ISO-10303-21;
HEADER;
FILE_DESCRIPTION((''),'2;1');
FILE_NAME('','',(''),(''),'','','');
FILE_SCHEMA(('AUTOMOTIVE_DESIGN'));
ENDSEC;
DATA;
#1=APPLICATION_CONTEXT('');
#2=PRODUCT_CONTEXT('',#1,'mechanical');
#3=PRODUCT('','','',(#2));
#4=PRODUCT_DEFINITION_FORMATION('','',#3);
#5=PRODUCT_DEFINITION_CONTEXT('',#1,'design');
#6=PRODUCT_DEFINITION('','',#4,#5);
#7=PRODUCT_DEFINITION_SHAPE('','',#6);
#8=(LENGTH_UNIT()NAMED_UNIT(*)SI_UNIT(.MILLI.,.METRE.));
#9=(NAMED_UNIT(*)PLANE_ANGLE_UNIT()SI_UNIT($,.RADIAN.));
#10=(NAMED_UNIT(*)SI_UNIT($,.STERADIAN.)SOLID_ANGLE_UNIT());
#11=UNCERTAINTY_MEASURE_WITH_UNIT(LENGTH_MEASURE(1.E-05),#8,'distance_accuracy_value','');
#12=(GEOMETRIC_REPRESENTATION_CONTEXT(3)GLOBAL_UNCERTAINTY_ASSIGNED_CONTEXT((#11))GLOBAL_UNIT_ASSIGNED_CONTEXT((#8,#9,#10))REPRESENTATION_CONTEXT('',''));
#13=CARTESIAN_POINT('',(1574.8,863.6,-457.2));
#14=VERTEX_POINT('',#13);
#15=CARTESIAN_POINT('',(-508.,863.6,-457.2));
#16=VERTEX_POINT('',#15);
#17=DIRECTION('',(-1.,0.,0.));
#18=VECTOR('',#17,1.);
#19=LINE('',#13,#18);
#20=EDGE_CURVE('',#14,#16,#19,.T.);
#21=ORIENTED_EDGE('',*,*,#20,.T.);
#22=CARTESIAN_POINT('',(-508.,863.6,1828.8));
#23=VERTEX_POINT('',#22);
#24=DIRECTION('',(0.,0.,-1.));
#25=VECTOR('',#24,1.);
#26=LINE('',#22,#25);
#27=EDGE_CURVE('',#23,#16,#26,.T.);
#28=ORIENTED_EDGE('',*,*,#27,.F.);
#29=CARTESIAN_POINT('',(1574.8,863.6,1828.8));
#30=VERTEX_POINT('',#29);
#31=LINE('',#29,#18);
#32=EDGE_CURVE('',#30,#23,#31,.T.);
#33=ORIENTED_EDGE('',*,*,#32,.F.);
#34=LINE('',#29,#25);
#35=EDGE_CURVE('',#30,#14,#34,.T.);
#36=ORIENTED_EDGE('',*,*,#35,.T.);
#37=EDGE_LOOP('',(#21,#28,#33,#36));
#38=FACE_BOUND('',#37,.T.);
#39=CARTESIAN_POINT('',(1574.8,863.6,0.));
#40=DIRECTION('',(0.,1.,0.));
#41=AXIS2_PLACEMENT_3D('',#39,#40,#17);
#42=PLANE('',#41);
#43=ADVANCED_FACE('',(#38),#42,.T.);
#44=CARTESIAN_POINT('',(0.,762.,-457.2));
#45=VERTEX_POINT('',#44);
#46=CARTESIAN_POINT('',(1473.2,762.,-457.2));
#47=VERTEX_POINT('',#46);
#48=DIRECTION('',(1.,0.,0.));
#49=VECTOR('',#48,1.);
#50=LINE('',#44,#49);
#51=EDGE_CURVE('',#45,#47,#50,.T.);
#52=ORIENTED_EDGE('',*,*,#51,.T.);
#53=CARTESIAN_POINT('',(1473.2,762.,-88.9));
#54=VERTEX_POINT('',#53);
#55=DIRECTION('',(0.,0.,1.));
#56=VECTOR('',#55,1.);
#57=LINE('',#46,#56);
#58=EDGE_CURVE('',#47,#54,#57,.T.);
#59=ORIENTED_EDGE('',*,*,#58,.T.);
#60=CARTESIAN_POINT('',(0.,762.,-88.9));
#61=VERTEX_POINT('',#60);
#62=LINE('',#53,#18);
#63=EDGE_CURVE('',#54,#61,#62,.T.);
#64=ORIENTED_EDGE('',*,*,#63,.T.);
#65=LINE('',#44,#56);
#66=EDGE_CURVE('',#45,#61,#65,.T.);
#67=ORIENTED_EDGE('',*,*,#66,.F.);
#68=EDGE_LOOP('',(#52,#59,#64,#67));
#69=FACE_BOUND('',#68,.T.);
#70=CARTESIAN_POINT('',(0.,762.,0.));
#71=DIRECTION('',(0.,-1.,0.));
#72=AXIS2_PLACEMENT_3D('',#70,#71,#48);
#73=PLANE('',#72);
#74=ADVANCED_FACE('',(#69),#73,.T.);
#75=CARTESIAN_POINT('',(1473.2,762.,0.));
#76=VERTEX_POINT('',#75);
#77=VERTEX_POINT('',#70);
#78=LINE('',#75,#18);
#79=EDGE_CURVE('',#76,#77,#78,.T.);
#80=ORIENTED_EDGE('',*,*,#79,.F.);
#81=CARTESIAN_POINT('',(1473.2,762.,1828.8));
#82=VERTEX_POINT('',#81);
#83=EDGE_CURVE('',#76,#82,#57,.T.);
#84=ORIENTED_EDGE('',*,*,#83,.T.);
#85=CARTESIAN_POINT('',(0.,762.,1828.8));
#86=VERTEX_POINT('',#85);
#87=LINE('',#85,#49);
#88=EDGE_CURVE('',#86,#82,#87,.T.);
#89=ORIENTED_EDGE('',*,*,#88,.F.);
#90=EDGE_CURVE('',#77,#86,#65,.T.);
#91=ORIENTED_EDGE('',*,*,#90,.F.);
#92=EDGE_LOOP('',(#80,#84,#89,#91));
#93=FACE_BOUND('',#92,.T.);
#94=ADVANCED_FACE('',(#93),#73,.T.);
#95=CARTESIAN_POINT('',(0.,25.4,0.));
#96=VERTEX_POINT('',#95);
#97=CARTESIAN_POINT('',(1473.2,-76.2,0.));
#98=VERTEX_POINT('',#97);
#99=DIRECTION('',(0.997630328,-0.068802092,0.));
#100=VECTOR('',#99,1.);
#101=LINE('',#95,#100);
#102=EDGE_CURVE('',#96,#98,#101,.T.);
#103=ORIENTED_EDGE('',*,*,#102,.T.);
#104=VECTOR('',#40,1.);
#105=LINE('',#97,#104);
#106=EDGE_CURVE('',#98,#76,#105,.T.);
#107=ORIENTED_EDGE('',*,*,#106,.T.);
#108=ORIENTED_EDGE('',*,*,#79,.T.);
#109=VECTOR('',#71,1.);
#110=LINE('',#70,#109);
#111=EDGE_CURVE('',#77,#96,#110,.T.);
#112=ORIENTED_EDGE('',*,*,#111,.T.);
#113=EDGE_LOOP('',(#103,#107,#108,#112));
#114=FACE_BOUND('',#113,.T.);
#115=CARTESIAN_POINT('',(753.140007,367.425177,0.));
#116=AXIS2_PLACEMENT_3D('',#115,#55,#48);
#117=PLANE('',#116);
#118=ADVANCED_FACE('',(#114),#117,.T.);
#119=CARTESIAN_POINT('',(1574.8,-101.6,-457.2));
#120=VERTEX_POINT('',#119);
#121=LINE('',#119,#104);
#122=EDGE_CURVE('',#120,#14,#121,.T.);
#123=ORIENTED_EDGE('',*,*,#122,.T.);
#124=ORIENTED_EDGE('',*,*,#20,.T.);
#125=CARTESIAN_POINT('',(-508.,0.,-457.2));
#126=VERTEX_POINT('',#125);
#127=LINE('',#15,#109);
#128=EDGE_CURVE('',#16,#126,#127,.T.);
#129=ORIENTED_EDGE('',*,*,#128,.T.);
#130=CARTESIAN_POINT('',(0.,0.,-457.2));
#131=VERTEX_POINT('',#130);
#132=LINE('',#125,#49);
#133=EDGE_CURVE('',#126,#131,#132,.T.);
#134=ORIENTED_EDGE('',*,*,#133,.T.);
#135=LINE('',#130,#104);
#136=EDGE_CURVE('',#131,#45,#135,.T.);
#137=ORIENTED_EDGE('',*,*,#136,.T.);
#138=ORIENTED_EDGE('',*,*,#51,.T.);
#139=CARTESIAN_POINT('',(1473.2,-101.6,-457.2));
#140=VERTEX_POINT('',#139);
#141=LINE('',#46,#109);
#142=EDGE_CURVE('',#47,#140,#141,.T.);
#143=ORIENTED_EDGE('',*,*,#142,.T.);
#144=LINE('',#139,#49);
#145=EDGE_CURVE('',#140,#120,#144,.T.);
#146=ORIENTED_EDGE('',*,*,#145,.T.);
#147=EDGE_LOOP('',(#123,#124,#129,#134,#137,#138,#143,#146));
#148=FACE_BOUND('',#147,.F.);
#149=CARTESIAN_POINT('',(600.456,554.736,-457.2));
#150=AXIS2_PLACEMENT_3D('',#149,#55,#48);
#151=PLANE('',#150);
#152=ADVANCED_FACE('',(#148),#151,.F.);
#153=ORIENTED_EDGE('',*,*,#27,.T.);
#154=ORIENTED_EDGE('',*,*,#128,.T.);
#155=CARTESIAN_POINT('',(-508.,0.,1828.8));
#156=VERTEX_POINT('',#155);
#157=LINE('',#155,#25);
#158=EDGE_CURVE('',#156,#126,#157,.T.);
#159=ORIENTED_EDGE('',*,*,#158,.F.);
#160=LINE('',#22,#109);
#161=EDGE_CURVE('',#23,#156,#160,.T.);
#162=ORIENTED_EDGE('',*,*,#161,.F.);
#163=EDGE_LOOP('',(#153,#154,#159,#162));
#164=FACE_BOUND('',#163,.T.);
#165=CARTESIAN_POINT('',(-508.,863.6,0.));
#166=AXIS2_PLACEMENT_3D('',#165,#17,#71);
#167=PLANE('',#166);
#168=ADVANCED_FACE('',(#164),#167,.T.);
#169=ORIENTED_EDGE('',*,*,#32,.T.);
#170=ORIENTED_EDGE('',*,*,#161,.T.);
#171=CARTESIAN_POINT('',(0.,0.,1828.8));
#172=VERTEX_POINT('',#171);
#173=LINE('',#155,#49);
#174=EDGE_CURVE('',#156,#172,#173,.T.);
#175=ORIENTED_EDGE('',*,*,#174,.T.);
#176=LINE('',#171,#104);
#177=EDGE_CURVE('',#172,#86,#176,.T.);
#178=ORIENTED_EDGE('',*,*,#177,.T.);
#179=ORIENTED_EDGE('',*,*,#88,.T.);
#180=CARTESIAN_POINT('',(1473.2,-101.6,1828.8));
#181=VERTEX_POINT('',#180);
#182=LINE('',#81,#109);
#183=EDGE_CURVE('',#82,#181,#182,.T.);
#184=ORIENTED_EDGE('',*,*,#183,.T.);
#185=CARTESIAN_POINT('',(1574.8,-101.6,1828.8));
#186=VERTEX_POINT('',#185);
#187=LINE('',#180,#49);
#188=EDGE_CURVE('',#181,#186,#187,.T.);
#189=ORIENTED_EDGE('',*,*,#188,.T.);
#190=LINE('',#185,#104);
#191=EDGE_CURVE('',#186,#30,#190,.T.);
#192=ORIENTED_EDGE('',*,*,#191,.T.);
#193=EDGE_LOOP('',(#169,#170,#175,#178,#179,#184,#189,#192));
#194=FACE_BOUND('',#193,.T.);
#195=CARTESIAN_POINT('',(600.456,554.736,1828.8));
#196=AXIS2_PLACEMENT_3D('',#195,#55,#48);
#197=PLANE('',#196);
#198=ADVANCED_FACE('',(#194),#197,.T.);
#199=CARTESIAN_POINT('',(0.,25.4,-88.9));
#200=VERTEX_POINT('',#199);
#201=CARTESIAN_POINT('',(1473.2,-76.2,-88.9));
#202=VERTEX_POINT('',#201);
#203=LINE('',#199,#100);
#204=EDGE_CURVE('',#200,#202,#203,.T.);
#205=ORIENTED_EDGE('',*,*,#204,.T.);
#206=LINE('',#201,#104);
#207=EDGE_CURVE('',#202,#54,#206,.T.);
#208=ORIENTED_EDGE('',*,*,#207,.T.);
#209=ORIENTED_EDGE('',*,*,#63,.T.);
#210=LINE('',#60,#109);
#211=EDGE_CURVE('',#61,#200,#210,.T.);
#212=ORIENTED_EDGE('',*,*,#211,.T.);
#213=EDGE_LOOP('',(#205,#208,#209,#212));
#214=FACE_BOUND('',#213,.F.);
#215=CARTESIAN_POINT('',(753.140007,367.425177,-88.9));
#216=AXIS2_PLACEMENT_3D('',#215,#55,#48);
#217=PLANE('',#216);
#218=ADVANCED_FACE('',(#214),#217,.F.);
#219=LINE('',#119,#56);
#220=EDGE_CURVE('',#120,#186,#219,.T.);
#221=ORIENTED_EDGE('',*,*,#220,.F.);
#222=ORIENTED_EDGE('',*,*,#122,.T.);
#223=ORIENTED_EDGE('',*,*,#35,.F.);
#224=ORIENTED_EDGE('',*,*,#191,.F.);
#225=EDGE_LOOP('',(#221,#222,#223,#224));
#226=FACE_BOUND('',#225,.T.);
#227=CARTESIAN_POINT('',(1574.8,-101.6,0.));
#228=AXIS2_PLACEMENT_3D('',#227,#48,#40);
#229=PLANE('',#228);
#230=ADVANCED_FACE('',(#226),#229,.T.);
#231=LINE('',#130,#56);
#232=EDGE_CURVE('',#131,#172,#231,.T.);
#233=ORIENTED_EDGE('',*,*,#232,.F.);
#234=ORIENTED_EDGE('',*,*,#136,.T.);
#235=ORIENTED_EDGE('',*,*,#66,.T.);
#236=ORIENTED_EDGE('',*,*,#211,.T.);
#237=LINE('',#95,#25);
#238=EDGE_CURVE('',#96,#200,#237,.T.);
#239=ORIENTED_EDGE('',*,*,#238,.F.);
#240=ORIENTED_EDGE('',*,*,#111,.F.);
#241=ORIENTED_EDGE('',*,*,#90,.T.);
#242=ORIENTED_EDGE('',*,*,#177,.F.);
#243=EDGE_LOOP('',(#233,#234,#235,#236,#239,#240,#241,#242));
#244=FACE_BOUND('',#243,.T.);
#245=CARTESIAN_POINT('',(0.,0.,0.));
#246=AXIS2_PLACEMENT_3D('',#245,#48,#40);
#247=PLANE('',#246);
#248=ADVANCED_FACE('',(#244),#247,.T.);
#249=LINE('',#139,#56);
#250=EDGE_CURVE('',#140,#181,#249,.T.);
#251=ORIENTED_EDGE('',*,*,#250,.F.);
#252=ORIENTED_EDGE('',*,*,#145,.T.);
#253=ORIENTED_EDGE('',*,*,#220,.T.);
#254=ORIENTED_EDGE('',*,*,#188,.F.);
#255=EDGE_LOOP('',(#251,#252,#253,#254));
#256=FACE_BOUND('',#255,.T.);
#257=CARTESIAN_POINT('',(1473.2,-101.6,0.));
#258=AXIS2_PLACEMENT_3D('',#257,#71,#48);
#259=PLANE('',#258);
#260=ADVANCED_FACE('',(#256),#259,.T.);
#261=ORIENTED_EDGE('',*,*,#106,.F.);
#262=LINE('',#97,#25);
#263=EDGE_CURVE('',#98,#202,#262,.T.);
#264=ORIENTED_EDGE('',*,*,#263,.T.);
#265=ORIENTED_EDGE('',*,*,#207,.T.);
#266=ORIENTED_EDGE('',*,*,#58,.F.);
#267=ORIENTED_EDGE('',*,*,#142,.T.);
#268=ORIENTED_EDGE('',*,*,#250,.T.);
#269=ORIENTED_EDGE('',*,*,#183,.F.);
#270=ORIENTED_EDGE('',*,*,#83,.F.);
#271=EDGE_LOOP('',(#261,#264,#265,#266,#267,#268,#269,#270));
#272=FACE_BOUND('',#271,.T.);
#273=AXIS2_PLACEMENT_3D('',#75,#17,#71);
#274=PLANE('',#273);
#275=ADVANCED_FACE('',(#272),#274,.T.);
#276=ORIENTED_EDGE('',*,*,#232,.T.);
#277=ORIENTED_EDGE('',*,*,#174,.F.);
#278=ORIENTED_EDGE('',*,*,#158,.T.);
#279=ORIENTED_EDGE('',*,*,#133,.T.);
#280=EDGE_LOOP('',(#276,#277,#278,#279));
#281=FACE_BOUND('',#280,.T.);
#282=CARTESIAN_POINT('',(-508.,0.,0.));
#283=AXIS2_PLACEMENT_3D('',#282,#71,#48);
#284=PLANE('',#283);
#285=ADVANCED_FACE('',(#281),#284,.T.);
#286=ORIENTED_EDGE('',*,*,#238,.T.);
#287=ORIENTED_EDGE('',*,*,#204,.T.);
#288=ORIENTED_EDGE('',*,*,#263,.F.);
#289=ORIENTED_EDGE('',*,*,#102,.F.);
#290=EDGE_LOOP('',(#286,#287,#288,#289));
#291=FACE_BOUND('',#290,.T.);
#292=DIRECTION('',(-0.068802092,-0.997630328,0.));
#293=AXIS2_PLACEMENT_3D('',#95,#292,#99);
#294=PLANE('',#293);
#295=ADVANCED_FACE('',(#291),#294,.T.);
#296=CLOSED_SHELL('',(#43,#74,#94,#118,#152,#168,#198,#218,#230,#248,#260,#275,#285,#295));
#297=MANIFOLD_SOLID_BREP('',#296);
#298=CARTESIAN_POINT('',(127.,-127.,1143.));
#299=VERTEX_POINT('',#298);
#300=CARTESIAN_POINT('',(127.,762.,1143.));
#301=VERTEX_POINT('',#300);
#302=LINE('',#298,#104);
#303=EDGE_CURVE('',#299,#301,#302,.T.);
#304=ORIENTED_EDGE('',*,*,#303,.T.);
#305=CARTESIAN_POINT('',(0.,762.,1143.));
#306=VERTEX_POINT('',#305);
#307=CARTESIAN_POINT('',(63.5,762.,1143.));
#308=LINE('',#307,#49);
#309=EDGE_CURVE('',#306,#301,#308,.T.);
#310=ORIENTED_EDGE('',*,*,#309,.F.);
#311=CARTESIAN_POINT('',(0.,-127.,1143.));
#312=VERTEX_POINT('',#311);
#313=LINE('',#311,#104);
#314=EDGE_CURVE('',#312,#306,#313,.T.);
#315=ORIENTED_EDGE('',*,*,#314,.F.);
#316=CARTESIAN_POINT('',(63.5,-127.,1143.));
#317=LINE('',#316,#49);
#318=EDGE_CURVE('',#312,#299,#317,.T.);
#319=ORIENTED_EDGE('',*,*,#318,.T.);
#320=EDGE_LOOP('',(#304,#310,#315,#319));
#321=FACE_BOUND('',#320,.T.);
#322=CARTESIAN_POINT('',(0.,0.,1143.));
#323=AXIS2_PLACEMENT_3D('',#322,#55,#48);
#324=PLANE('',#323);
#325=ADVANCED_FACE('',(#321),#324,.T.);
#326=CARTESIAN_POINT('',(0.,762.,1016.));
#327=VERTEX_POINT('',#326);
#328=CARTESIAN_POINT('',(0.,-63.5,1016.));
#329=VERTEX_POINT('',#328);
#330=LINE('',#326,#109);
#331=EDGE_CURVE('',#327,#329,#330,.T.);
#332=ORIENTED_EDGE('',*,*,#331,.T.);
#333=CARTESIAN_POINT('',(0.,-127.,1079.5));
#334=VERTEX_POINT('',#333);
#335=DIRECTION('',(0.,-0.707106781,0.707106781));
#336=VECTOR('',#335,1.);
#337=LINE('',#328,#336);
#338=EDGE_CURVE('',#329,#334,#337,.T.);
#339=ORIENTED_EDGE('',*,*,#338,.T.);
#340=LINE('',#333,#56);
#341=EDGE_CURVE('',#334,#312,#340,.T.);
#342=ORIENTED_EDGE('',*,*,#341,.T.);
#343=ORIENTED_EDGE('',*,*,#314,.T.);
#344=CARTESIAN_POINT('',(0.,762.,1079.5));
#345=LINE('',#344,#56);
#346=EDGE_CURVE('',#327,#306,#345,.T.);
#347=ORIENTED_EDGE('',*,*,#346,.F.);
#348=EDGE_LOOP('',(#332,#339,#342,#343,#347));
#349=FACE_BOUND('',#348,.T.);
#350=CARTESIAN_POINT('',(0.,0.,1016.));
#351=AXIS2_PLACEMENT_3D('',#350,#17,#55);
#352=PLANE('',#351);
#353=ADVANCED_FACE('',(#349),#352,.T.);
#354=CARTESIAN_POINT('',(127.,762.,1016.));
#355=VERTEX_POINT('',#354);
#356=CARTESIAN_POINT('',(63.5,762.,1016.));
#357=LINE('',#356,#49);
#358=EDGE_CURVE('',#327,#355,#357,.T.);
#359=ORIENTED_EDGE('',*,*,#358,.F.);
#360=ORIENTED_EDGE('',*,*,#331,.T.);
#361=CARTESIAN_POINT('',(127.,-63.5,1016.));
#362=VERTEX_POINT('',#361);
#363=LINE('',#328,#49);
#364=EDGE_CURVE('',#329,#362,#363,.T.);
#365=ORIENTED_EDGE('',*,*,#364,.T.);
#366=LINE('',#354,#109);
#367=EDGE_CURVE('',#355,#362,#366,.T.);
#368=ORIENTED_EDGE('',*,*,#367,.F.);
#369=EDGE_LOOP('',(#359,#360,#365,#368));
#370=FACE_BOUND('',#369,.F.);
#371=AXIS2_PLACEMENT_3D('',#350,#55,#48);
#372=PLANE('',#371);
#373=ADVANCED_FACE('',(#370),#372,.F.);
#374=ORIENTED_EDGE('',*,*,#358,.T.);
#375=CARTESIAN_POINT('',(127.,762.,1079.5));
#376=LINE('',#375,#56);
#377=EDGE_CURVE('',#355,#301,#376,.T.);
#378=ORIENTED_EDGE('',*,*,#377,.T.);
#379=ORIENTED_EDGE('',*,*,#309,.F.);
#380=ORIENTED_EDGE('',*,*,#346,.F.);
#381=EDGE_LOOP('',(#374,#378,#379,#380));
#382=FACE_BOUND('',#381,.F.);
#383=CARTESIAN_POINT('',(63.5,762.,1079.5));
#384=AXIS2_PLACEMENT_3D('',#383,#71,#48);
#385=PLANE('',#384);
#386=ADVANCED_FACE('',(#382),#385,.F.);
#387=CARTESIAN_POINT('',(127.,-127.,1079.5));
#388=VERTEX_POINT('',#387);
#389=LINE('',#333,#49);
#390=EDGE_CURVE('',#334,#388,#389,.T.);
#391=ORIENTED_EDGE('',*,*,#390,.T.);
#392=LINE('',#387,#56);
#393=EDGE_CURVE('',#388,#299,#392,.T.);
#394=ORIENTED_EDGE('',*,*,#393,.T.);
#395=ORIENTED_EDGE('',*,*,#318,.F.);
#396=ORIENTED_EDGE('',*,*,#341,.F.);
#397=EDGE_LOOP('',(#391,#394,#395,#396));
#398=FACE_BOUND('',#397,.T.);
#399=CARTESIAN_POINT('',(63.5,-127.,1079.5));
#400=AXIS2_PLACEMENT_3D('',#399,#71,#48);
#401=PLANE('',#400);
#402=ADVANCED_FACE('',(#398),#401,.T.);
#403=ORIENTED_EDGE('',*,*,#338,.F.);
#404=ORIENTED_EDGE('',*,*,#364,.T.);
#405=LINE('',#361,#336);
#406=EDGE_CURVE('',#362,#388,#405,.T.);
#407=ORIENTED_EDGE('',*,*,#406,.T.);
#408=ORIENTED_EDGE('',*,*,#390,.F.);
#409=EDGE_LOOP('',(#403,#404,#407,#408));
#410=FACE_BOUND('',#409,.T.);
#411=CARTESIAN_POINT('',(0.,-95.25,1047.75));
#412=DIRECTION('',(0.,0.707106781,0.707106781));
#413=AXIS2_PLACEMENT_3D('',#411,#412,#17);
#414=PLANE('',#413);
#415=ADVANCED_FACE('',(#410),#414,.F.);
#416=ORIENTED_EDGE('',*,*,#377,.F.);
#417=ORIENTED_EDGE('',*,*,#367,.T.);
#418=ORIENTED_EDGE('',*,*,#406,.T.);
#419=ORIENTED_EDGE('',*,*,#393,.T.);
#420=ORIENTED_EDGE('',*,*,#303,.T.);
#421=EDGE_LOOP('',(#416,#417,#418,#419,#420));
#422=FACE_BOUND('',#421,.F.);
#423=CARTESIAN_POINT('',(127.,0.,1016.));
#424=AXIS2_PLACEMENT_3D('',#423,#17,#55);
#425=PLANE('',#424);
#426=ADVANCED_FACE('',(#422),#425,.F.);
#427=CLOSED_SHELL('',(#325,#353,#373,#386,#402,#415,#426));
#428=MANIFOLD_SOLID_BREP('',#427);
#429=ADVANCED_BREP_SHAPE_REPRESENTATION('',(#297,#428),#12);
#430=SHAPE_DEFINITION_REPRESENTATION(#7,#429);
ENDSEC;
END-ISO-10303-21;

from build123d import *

# Parameters (mm, degrees)
F1_DEPTH      = 1828.8
F1_DEPTH_BACK = 457.2
F2_DEPTH      = 88.9
F3_W          = 127
F3_H          = 127
F4_DEPTH      = 762
F4_DEPTH_BACK = 127
F5_SIZE       = 63.5


with BuildPart() as f1:
    # F0 (on Top) → F1 (new body, two sides)
    with BuildSketch(Plane.XY) as f1_sk:
        Polygon((-508, 0), (0, 0), (0, 25.4), (0, 762), (1473.2, 762), (1473.2, -76.2), (1473.2, -101.6), (1574.8, -101.6), (1574.8, 863.6), (-508, 863.6), align=None)
    extrude(amount=F1_DEPTH)
    extrude(f1_sk.sketch, amount=-F1_DEPTH_BACK)

    # F0 (on Top) → F2 (join)
    with BuildSketch(Plane.XY):
        Polygon((0, 762), (0, 25.4), (1473.2, -76.2), (1473.2, 762), align=None)
    extrude(amount=-F2_DEPTH)


with BuildPart() as f4:
    # F3 (on face) → F4 (new body, two sides)
    with BuildSketch(Plane.XZ) as f4_sk:
        with Locations((63.5, 1079.5)):
            Rectangle(F3_W, F3_H)
    extrude(amount=-F4_DEPTH)
    extrude(f4_sk.sketch, amount=F4_DEPTH_BACK)

    # F5
    f5_edges = [f4.edges().sort_by_distance(p)[0] for p in [
        (63.5, -127, 1016),
    ]]
    chamfer(f5_edges, length=F5_SIZE)


solid = Compound([f1.part, f4.part])
